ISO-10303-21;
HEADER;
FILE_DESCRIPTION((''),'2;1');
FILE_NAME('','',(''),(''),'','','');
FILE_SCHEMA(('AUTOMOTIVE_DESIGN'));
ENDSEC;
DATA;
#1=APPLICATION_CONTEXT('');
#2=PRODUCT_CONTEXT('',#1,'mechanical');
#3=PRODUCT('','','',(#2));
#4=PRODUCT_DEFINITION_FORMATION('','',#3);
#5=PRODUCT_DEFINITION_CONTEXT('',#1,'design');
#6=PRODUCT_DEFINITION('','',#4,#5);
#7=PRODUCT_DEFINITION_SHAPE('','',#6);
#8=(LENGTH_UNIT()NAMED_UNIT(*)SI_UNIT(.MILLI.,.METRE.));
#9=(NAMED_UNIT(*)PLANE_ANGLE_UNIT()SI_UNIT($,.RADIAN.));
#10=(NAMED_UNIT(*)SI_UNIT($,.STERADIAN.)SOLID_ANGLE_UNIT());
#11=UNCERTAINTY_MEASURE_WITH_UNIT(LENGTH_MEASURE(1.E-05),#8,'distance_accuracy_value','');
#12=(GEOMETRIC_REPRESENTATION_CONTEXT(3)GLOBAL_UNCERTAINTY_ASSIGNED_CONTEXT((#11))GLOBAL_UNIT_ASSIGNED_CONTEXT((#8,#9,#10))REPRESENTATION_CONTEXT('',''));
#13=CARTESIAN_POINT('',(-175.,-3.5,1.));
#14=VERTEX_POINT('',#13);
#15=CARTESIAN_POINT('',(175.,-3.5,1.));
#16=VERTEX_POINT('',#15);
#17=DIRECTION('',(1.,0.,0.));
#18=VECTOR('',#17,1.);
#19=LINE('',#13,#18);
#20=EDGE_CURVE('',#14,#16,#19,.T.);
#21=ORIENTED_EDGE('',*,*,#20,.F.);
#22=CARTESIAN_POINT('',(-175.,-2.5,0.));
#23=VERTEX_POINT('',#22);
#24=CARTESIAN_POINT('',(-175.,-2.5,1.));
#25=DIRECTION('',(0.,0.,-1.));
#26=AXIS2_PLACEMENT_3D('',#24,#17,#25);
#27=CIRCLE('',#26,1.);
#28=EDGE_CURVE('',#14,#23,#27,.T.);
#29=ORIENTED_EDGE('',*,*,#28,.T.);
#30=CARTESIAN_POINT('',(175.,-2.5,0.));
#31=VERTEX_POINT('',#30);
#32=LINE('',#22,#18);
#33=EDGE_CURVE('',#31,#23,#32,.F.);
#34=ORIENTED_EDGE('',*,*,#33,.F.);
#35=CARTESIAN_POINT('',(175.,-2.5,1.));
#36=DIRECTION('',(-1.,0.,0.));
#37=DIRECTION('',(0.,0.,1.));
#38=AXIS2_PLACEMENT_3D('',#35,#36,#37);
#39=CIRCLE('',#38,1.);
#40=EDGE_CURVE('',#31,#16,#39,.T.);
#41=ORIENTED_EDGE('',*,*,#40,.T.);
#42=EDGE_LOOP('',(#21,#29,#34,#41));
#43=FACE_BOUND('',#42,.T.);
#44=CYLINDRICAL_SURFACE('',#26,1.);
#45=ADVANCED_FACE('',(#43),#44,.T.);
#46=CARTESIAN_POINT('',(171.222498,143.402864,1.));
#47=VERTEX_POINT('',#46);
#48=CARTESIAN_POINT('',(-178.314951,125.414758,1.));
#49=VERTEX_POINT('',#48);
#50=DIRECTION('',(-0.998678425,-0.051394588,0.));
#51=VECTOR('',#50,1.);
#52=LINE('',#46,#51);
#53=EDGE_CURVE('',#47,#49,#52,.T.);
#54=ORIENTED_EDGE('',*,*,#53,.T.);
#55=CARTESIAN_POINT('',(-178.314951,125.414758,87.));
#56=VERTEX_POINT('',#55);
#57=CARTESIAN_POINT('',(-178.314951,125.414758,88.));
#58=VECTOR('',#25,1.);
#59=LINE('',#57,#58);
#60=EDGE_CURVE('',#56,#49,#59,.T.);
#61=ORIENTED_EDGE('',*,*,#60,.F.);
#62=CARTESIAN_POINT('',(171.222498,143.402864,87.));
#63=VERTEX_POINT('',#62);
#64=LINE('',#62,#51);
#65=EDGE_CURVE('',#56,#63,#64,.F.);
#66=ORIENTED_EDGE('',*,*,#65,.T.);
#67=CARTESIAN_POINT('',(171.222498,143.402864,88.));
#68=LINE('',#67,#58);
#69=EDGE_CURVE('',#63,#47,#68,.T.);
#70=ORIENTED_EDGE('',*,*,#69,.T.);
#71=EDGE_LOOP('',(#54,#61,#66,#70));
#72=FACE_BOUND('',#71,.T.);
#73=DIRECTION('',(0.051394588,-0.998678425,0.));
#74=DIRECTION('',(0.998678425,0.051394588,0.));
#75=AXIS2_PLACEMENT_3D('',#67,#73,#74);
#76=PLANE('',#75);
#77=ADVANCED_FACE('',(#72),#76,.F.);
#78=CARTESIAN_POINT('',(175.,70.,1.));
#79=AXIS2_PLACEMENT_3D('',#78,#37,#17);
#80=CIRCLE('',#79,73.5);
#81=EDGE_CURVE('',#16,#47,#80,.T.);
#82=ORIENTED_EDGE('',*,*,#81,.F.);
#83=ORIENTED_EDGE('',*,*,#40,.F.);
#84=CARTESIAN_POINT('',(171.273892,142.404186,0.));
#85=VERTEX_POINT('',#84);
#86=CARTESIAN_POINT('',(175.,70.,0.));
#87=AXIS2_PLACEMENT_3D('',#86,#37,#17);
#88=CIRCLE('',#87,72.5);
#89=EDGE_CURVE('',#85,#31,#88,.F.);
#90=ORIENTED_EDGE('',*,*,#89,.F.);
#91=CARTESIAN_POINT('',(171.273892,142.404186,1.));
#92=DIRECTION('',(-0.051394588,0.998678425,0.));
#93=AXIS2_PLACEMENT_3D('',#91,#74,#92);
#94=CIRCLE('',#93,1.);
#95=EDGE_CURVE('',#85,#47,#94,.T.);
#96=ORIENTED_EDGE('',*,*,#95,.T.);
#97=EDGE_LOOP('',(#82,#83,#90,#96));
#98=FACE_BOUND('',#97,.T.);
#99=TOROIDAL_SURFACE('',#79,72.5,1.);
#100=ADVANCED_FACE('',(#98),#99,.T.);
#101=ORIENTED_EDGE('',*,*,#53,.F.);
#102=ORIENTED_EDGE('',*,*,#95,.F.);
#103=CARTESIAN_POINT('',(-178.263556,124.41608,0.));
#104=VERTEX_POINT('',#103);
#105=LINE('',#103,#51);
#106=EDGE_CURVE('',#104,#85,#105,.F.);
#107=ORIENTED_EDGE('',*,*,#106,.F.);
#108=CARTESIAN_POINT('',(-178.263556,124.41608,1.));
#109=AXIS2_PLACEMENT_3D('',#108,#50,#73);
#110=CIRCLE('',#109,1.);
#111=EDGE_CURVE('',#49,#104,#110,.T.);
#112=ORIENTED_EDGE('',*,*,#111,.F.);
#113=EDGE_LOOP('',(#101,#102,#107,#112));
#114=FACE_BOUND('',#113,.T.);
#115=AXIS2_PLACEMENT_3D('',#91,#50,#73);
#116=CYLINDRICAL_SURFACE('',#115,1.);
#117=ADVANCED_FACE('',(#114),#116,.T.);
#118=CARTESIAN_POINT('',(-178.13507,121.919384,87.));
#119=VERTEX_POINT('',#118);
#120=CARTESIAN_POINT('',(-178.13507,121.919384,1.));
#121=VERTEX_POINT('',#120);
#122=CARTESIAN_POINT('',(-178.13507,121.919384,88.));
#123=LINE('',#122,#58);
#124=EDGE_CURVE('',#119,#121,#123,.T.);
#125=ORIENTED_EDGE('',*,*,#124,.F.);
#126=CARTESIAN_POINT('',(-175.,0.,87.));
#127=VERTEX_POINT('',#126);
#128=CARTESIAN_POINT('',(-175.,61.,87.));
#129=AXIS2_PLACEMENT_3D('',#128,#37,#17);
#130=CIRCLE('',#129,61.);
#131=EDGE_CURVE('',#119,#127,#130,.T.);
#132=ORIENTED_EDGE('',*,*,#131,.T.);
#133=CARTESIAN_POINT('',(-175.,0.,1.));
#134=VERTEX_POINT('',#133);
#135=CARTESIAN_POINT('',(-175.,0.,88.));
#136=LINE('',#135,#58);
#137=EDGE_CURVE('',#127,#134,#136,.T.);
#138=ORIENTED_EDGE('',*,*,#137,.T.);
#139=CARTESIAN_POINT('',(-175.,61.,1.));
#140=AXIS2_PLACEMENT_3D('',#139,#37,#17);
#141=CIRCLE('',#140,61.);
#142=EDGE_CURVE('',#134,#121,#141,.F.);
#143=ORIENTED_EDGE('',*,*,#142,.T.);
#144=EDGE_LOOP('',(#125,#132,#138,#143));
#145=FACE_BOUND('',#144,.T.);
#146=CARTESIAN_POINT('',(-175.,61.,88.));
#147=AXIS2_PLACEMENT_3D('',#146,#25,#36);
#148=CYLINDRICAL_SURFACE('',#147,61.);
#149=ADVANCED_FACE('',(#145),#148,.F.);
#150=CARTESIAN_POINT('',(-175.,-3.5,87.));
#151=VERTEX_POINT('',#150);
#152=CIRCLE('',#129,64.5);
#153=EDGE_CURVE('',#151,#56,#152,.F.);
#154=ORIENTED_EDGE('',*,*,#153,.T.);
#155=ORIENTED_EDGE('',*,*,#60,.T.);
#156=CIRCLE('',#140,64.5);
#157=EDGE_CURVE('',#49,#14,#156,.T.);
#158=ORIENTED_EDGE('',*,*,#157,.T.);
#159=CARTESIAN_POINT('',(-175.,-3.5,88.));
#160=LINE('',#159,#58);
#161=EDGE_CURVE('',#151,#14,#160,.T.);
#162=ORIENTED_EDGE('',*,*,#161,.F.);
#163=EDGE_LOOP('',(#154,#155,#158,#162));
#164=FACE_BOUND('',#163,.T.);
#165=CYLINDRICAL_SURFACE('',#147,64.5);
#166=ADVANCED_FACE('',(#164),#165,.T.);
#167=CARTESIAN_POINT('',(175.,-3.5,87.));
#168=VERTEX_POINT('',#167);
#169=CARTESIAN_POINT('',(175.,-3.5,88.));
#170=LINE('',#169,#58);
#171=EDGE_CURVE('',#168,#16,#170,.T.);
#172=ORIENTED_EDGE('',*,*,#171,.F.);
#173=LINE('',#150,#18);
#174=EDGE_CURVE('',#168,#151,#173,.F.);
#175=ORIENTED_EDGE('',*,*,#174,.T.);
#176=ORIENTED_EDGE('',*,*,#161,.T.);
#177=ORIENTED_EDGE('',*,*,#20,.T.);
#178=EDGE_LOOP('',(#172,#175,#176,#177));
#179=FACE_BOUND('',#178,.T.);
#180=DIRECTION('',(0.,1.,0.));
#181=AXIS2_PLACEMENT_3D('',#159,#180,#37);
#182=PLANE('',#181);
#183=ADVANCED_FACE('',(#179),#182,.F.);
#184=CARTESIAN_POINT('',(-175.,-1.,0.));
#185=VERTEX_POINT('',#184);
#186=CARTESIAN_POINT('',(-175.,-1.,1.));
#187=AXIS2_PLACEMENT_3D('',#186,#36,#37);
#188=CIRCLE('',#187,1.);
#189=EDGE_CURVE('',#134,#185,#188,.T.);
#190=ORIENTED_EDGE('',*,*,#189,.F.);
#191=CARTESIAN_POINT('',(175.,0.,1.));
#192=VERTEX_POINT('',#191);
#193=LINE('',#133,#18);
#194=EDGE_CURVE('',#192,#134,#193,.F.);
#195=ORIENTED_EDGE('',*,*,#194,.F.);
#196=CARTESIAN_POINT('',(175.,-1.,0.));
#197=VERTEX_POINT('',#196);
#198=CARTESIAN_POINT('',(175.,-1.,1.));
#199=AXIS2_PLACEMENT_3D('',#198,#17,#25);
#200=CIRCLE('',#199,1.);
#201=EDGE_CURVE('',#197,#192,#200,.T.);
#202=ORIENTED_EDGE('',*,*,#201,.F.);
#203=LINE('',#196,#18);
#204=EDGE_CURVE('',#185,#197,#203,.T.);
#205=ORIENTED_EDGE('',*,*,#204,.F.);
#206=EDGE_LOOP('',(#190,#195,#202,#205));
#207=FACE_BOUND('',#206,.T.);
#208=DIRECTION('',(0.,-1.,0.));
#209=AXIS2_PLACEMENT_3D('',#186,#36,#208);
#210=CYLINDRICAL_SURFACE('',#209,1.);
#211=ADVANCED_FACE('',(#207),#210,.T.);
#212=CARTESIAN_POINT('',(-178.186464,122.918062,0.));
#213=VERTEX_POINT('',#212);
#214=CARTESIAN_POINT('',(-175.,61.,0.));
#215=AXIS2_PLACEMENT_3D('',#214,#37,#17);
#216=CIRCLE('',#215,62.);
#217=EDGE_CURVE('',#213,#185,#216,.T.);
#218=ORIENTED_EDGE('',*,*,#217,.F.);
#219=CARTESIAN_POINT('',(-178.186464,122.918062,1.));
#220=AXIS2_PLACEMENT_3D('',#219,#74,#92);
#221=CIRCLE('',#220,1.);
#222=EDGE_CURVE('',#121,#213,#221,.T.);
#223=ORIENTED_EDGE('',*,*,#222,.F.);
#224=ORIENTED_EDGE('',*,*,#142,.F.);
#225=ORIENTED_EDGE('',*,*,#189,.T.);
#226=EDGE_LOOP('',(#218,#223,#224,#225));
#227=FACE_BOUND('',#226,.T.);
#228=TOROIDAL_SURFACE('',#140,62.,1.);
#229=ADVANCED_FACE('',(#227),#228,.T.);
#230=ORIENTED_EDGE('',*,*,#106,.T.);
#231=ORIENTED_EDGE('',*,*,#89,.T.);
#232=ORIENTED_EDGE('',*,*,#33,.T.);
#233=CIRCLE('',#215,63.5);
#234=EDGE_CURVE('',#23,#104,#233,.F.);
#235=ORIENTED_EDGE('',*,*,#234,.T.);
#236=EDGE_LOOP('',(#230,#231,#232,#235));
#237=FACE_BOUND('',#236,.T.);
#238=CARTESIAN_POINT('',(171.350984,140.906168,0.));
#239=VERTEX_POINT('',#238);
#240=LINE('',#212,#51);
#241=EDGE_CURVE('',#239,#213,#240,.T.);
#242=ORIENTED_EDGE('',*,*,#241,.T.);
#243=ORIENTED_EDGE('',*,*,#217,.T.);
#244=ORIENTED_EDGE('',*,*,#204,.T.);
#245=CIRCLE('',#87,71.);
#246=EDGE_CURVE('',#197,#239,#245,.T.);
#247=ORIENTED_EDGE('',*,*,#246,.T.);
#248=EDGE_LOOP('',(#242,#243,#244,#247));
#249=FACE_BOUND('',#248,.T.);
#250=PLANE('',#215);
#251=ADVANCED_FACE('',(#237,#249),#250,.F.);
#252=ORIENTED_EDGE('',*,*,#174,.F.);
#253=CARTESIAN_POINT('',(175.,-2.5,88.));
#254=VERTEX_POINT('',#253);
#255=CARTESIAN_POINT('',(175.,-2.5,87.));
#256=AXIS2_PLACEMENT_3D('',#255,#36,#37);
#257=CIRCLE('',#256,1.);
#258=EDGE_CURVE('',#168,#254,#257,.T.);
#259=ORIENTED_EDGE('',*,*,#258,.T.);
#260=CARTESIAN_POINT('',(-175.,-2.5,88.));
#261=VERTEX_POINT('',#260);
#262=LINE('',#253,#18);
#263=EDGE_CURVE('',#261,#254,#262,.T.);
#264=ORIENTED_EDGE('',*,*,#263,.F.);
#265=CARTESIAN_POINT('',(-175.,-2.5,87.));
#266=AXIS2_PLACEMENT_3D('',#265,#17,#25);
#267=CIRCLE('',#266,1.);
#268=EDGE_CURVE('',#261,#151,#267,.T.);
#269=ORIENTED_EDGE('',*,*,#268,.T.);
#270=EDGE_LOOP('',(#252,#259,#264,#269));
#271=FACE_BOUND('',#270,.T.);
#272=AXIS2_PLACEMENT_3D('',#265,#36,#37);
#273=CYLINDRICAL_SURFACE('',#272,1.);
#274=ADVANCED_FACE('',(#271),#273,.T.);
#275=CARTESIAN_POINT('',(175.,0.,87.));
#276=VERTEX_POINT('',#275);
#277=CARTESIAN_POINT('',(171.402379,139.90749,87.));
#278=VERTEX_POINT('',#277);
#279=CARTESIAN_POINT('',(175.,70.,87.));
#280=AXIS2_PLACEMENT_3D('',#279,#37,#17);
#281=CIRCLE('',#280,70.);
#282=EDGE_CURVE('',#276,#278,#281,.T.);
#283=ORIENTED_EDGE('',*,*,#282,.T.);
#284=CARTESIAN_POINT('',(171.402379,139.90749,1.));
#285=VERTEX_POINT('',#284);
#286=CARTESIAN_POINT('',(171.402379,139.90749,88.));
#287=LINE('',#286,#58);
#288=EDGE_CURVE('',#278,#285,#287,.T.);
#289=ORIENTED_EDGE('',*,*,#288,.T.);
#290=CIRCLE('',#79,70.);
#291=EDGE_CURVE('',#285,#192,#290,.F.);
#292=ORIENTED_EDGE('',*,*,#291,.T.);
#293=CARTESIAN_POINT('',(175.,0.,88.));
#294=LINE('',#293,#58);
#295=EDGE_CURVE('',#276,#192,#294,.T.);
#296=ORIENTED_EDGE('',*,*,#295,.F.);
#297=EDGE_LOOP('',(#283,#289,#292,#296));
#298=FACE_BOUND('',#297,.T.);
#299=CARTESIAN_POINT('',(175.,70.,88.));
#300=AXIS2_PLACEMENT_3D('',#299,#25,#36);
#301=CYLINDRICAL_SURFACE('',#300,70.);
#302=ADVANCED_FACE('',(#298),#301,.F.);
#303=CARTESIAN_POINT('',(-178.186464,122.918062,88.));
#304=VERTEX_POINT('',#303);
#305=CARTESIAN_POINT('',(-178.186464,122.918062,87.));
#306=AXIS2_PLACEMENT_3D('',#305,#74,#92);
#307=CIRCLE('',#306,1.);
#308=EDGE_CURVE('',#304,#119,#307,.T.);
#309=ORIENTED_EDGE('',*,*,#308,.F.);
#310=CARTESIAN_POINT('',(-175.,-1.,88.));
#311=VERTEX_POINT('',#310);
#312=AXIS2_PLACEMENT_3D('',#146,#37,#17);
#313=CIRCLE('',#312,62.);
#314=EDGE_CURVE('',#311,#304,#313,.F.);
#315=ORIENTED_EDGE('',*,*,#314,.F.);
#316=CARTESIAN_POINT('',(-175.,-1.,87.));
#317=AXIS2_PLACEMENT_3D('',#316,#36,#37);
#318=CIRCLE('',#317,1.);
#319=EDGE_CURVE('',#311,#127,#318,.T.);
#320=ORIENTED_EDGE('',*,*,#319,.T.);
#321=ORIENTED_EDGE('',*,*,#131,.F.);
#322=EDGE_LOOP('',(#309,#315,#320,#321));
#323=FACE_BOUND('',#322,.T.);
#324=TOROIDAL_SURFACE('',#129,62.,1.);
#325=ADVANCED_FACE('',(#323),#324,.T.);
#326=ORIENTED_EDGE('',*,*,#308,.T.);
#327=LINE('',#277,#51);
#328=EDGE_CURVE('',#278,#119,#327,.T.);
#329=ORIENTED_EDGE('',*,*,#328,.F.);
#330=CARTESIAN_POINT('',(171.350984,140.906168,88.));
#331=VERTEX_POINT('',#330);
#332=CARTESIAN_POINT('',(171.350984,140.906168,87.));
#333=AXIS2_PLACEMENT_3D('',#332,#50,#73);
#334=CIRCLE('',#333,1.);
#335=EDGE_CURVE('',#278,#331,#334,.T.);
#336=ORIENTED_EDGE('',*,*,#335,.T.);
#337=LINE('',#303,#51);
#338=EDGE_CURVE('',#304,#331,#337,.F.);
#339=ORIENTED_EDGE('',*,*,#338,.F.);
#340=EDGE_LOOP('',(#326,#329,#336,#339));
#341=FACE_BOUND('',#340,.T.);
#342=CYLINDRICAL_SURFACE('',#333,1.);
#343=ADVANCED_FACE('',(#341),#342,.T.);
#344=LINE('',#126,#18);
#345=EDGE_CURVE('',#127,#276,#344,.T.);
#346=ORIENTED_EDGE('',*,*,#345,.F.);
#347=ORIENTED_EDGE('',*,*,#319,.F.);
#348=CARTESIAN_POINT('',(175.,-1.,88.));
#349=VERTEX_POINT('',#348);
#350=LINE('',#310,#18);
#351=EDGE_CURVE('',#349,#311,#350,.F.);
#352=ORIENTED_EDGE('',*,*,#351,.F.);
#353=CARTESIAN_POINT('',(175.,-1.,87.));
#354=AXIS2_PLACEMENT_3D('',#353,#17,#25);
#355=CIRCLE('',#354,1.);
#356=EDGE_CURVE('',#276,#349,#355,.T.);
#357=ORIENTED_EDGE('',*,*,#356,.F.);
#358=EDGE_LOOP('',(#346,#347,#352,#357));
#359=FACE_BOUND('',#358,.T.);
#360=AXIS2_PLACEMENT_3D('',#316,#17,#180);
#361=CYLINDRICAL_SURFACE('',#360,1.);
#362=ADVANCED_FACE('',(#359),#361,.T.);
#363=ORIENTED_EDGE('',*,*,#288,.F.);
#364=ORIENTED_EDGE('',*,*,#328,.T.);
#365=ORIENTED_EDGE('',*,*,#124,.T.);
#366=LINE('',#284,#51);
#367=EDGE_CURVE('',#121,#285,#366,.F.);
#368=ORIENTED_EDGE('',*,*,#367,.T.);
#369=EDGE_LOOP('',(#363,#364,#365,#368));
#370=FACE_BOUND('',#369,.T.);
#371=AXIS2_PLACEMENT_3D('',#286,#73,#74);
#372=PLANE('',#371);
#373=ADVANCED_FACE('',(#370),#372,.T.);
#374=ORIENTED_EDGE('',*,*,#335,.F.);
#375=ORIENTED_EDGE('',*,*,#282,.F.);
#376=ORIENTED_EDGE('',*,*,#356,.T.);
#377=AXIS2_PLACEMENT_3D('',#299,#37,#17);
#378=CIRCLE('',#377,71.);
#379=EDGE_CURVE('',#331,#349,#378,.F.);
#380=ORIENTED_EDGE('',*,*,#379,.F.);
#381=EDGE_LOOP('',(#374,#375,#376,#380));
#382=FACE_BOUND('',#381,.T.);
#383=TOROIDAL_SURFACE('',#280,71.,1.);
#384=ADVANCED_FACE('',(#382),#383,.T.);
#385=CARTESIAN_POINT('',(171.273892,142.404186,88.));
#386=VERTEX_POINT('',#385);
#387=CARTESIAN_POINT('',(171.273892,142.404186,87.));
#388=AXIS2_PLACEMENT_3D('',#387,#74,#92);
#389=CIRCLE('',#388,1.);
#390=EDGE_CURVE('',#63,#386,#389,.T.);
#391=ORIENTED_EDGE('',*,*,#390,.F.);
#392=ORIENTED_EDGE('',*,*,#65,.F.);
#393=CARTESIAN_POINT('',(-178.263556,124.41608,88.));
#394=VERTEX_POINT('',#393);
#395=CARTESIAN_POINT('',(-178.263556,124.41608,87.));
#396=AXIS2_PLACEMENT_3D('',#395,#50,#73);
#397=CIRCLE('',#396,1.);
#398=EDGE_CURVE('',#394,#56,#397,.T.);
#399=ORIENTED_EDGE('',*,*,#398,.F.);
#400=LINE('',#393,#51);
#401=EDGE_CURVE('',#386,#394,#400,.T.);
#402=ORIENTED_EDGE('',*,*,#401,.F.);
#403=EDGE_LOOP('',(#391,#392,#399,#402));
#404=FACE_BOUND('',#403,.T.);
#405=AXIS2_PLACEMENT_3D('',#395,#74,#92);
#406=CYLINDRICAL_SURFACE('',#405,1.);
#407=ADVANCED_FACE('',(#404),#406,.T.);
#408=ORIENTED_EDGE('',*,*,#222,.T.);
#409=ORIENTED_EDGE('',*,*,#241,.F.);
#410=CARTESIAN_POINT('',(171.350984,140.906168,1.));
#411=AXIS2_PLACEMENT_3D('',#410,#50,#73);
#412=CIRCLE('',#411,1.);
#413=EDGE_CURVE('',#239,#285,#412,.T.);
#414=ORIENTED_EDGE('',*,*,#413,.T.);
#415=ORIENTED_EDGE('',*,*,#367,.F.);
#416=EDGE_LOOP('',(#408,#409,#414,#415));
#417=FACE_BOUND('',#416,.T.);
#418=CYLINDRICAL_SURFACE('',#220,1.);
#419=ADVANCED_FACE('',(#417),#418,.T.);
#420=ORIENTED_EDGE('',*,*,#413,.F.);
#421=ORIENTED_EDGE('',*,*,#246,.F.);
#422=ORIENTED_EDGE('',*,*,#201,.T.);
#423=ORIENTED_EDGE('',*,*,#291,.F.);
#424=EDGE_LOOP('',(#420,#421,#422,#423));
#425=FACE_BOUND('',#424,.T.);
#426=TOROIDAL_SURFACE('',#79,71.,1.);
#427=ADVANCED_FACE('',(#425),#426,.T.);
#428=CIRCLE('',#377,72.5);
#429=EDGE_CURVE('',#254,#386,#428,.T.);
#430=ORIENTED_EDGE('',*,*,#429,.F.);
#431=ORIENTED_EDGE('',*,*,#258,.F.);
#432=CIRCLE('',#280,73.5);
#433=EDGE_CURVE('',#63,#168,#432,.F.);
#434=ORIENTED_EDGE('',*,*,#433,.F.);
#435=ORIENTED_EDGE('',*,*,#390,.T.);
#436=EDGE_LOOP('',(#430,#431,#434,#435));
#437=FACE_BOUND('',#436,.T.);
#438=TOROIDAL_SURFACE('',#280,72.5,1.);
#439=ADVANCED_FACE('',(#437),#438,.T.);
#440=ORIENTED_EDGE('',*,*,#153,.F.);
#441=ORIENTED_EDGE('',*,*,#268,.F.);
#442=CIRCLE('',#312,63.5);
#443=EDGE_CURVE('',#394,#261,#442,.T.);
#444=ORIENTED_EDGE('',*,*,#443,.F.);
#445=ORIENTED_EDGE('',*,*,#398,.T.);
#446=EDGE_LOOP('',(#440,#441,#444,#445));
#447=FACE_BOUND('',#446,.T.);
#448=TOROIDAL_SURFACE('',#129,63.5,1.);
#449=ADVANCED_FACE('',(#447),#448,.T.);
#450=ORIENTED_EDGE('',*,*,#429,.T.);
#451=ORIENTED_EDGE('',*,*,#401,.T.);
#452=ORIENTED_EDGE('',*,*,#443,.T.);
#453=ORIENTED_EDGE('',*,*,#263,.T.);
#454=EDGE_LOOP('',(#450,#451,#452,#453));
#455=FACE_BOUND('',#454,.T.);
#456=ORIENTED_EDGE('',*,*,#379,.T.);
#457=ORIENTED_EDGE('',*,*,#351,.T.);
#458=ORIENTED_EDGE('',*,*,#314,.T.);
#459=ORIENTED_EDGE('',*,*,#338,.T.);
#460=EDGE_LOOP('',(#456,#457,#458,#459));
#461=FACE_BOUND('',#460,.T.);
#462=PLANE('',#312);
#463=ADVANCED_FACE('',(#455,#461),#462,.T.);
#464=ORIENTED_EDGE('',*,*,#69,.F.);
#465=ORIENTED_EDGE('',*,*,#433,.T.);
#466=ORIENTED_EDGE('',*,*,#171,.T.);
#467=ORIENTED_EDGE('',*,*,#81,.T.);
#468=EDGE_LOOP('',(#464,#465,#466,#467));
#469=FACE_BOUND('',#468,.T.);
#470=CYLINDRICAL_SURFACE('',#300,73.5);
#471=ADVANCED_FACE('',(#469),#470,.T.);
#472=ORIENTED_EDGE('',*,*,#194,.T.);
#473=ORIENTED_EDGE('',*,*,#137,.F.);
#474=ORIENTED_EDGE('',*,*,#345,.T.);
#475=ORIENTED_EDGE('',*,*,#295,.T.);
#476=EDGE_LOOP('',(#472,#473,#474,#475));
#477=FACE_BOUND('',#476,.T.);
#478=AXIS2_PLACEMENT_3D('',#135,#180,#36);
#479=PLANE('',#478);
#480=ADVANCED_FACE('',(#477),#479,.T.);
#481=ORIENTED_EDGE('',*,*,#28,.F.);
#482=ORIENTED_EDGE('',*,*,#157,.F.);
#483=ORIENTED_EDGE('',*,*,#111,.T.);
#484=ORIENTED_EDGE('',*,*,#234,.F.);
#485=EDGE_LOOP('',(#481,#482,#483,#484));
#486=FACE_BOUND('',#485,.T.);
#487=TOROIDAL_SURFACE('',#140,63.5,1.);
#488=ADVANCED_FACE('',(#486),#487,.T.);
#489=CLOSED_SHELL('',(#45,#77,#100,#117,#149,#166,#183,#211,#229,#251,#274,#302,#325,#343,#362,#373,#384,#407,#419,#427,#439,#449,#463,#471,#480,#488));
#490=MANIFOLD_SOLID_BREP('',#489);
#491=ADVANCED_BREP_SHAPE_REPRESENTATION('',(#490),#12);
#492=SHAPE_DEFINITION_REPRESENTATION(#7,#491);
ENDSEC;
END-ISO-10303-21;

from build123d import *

# Parameters (mm, degrees)
BOSS_EXTRUDE1_DEPTH = 88
FILLET1_R           = 1


with BuildPart() as part:
    # Sketch1 → Boss-Extrude1 (new body)
    with BuildSketch(Plane.XY):
        with BuildLine():
            Line((-175, -3.5), (175, -3.5))
            ThreePointArc((175, -3.5), (248.475712044, 71.889375453), (171.222497777, 143.402864229))
            Line((171.222497777, 143.402864229), (-178.31495093, 125.414758405))
            ThreePointArc((-178.31495093, 125.414758405), (-239.47868608, 59.341976644), (-175, -3.5))
        make_face()
        with BuildLine():
            Line((-175, 0), (175, 0))
            ThreePointArc((175, 0), (244.976868614, 71.799405193), (171.402378835, 139.907489741))
            Line((171.402378835, 139.907489741), (-178.135069872, 121.919383918))
            ThreePointArc((-178.135069872, 121.919383918), (-235.979842649, 59.431946903), (-175, 0))
        make_face(mode=Mode.SUBTRACT)
    extrude(amount=BOSS_EXTRUDE1_DEPTH)

    # Fillet1
    fillet1_edges = [part.edges().sort_by_distance(p)[0] for p in [
        (248.475712044, 71.889375453, 88),
        (-235.979842649, 59.431946903, 0),
        (0, 0, 0),
        (244.976868614, 71.799405193, 0),
        (-3.366345518, 130.91343683, 0),
        (-235.979842649, 59.431946903, 88),
        (-3.546226577, 134.408811317, 88),
        (0, 0, 88),
        (244.976868614, 71.799405193, 88),
        (-3.366345518, 130.91343683, 88),
        (-239.47868608, 59.341976644, 88),
        (-3.546226577, 134.408811317, 0),
        (248.475712044, 71.889375453, 0),
        (0, -3.5, 0),
        (-239.47868608, 59.341976644, 0),
        (0, -3.5, 88),
    ]]
    fillet(fillet1_edges, radius=FILLET1_R)


solid = part.part
